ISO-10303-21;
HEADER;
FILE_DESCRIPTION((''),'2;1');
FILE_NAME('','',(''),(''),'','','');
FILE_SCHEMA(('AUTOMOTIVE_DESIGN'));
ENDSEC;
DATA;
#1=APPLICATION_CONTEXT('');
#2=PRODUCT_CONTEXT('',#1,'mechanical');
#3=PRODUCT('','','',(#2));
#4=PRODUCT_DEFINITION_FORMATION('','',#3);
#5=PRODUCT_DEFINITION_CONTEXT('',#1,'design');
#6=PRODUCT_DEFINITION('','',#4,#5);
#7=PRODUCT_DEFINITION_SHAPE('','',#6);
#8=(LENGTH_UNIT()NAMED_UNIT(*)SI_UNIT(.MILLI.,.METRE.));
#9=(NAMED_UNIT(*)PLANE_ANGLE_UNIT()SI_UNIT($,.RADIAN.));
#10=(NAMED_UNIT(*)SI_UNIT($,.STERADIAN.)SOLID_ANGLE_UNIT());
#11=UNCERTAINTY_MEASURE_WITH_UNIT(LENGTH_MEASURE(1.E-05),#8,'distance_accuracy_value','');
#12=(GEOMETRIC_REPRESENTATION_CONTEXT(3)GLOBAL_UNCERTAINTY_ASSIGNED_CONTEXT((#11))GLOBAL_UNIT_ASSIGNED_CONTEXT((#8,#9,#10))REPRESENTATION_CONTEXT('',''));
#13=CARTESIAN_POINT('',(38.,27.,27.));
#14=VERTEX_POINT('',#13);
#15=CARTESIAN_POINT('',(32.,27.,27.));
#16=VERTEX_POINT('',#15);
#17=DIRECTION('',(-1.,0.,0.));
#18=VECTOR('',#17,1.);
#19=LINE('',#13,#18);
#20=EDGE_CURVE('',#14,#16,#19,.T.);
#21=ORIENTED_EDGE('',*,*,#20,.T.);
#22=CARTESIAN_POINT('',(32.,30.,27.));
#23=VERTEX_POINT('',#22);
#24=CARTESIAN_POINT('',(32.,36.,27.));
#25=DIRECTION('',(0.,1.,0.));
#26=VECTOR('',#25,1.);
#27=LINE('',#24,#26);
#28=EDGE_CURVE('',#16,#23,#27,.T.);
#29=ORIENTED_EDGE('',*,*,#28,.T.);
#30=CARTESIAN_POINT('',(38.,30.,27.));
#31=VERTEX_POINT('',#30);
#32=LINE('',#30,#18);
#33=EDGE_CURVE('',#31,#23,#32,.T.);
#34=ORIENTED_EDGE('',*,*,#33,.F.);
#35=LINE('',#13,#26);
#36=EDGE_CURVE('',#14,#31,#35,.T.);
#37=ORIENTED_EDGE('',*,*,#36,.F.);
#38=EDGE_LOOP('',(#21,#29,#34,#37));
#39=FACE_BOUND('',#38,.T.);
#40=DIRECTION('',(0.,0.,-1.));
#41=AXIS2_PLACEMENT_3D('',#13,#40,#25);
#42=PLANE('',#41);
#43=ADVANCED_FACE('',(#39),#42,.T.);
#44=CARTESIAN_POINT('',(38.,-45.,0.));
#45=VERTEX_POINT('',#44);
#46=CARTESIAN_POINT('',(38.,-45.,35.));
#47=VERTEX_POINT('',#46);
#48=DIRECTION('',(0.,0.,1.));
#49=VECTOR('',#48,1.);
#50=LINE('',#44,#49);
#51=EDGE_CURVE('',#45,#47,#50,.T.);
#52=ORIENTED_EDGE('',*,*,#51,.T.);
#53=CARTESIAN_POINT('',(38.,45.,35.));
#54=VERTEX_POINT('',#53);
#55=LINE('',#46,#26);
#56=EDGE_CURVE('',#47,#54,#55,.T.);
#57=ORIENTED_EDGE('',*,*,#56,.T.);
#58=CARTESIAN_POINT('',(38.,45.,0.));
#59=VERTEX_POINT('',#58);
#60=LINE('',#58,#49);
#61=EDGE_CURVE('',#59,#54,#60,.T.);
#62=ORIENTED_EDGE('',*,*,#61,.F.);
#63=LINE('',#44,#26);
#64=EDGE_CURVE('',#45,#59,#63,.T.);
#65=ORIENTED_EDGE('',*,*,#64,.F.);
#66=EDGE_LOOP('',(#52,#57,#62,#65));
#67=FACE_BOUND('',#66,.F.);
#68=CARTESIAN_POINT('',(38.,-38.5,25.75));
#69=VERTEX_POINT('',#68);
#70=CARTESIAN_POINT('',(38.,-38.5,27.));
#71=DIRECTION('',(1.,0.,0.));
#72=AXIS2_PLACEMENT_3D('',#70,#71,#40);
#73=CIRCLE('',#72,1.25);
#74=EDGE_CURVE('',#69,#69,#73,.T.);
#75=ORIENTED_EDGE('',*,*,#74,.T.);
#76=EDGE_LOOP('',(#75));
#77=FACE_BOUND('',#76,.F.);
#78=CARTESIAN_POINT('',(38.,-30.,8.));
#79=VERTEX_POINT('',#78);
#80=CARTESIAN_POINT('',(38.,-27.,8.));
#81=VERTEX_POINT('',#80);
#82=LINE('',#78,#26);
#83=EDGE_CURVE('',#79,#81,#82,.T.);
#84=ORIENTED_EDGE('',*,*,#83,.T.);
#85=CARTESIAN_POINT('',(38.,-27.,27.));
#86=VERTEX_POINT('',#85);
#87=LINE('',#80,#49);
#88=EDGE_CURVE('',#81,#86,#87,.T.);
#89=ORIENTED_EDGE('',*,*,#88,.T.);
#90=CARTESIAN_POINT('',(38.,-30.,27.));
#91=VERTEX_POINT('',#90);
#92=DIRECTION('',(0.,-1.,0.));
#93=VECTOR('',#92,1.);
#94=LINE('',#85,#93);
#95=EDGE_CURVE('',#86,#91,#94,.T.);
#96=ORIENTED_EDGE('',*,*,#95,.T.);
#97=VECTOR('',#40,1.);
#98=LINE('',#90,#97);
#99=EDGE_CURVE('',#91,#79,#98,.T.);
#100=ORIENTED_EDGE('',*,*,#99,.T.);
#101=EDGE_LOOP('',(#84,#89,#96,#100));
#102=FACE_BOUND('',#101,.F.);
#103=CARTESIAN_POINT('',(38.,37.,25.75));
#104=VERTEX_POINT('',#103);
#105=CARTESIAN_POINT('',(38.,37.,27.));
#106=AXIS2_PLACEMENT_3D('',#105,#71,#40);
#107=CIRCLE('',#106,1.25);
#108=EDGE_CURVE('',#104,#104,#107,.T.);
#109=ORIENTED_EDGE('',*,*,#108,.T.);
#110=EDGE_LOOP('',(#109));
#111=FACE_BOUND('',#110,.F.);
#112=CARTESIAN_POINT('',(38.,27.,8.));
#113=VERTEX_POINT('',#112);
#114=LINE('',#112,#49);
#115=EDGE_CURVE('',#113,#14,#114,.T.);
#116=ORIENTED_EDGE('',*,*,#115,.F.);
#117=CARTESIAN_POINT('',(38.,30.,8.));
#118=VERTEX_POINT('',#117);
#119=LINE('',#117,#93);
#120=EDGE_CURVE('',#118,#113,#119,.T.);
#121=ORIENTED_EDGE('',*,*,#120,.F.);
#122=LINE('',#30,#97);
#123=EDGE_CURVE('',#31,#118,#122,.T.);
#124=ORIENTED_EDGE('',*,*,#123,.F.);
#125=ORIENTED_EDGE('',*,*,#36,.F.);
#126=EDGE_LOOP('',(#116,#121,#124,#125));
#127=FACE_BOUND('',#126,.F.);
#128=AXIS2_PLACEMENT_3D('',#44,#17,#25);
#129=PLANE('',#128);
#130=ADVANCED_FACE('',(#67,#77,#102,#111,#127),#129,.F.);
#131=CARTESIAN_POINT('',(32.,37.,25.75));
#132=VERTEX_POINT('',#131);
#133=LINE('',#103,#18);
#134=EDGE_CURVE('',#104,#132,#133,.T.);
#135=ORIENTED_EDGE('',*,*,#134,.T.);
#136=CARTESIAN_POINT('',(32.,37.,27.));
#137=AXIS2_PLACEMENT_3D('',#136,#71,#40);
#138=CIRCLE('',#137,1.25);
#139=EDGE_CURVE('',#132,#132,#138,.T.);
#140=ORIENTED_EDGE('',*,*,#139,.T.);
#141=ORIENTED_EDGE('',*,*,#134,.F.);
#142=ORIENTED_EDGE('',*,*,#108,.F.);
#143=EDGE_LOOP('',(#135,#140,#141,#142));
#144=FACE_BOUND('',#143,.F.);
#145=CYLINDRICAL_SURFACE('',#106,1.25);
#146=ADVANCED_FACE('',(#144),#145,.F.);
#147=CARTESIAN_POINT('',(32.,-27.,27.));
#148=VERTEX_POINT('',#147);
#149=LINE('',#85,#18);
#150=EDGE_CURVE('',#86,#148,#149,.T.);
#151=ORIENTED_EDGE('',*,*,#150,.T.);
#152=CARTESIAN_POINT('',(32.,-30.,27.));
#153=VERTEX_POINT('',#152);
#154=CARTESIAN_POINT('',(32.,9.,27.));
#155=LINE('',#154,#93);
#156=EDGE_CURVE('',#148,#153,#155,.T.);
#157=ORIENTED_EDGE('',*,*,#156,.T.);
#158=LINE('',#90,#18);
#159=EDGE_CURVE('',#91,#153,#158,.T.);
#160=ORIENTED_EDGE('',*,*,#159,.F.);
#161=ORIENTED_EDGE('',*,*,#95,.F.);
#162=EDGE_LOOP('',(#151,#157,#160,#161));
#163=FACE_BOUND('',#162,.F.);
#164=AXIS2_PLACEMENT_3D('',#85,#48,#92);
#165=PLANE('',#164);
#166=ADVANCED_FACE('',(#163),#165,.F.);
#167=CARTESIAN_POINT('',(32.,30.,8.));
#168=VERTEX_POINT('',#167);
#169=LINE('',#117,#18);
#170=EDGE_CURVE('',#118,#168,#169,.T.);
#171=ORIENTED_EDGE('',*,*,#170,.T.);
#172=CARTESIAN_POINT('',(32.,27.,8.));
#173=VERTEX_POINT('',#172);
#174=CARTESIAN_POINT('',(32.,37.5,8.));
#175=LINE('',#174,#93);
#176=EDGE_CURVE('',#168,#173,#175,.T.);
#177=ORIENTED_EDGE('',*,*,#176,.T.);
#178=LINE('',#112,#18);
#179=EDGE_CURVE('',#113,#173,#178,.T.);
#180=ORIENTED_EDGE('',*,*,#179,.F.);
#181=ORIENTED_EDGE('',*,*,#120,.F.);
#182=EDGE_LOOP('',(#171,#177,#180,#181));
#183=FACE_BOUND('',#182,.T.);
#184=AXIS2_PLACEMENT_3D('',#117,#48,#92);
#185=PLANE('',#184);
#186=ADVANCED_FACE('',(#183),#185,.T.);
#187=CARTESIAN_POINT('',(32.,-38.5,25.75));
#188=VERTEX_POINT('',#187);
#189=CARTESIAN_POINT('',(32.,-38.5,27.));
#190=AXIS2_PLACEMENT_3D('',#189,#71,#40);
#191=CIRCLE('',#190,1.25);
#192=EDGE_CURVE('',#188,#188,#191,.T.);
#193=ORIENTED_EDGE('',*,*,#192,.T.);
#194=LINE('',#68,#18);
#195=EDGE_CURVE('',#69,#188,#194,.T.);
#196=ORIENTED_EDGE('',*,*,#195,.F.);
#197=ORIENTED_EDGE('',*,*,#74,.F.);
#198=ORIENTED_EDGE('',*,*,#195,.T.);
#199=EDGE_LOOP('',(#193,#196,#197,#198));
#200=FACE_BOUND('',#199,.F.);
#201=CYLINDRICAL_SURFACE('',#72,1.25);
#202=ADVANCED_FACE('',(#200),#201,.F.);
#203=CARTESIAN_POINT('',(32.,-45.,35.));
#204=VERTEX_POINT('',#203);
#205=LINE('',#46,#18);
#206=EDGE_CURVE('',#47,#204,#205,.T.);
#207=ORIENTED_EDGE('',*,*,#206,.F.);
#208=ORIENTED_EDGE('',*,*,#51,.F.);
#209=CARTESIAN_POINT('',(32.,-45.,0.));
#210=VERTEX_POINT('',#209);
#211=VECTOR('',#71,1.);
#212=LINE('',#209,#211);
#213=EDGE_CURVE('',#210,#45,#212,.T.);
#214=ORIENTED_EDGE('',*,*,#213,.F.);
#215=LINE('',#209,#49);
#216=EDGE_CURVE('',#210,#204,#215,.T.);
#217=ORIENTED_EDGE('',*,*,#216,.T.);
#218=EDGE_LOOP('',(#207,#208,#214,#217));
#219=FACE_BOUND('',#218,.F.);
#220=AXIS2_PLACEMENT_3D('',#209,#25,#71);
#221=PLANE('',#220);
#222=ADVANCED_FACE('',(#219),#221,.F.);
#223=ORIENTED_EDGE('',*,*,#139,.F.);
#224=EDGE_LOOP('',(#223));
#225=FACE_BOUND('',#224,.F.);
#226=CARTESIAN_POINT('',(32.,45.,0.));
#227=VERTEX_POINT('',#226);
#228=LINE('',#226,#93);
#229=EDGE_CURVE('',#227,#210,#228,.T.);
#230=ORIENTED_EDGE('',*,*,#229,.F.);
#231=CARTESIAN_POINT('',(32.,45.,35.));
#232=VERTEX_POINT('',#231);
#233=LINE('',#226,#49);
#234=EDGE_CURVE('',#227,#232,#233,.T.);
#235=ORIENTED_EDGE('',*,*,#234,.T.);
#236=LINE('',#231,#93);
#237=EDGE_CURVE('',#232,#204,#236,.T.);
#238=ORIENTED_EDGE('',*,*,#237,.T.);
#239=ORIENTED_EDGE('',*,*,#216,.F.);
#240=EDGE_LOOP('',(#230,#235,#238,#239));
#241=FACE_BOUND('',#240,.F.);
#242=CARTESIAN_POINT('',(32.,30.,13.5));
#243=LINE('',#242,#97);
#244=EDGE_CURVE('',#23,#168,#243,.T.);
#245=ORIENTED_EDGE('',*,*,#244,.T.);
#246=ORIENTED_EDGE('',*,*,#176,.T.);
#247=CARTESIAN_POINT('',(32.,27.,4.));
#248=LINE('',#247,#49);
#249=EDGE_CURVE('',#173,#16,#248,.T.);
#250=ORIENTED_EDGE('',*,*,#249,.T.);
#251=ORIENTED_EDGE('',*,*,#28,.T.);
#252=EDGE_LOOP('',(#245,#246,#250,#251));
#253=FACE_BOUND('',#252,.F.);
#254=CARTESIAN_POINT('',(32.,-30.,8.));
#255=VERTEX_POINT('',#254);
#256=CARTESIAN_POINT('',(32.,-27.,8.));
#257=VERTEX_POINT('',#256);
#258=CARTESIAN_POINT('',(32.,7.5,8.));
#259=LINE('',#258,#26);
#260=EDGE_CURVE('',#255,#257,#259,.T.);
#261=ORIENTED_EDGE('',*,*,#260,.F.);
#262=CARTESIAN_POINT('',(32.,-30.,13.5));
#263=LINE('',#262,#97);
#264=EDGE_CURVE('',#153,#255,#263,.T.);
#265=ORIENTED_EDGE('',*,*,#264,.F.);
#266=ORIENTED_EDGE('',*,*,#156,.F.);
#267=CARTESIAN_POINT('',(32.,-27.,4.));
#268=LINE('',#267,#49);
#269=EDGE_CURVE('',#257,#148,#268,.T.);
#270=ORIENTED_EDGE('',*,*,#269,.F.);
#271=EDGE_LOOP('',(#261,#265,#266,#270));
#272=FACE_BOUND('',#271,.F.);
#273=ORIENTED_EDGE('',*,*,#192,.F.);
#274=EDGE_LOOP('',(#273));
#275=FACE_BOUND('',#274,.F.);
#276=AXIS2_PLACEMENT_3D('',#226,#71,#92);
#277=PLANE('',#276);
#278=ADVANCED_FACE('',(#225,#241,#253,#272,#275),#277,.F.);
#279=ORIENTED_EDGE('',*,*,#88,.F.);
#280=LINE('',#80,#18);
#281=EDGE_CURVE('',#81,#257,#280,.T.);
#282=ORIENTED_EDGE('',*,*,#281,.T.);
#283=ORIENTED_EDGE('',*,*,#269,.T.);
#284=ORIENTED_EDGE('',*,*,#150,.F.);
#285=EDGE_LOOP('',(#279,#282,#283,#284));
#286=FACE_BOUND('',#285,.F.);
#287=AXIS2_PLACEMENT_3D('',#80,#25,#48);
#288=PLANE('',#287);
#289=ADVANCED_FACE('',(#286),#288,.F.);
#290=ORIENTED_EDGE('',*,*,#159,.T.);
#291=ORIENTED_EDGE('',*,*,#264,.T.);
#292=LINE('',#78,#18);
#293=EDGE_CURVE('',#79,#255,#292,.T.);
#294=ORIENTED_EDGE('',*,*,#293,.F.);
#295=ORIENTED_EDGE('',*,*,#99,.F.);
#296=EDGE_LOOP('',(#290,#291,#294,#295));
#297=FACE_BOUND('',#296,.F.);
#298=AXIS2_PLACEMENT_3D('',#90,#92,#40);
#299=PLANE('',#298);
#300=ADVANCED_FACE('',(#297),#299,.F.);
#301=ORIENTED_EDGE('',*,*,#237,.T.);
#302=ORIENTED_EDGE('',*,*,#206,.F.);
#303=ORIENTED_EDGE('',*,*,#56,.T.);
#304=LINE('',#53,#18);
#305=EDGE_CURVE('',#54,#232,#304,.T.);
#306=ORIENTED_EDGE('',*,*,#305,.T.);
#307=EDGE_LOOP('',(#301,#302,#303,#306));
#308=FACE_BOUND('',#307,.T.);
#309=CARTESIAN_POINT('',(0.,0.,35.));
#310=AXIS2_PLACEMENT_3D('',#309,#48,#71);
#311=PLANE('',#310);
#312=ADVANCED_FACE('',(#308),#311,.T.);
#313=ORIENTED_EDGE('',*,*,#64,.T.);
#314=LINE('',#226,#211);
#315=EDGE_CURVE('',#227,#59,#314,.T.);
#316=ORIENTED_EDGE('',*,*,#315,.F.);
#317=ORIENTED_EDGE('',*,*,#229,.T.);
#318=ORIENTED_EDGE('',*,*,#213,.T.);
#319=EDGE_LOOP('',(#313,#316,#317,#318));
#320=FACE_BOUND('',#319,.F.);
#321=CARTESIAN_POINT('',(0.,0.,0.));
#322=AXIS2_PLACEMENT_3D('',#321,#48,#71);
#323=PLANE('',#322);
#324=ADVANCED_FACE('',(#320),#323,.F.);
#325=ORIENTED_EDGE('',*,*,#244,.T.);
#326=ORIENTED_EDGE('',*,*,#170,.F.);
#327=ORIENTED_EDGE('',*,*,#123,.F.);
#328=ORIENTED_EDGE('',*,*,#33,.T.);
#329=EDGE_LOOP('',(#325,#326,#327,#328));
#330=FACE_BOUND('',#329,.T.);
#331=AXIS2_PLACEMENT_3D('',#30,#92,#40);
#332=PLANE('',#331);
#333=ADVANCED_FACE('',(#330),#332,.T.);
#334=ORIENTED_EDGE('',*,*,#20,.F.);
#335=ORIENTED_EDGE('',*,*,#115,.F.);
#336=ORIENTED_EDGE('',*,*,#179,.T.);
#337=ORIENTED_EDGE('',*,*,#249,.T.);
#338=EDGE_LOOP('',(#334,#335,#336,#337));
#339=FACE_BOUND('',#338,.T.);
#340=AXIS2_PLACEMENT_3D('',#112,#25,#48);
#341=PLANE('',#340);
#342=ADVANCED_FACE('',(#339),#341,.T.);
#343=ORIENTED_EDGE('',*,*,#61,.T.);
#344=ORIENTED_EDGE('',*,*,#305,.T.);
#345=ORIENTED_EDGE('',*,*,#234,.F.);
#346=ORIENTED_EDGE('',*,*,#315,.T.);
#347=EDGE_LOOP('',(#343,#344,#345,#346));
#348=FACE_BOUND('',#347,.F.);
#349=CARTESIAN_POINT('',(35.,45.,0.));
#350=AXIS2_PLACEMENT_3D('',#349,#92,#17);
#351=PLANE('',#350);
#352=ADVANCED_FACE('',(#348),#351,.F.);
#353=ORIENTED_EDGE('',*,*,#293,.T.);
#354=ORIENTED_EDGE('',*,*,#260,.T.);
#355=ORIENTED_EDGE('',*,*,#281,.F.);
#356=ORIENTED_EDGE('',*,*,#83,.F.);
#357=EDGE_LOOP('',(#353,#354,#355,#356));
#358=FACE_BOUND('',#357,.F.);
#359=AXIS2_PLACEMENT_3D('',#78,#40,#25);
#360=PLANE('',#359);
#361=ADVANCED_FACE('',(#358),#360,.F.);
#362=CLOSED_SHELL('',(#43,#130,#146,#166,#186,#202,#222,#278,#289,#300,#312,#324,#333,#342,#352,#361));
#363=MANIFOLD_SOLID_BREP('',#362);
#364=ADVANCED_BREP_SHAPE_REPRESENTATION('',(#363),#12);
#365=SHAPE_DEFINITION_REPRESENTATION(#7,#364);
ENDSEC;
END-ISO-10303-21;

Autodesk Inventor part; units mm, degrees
ref_plane "YZ Plane" through (0, 0, 0) normal (1, 0, 0) x (0, 1, 0)
ref_plane "XZ Plane" through (0, 0, 0) normal (0, 1, 0) x (-1, 0, 0)
ref_plane "XY Plane" through (0, 0, 0) normal (0, 0, 1) x (1, 0, 0)
ref_plane "작업 평면1" through (0, 0, 0) normal (0, 0, 1) x (1, 0, 0)
sketch "스케치1" plane through (0, 0, 0) normal (0, 0, 1) x (1, 0, 0)
  line L0 (42.4906, -94.9526) -> (42.4906, 93.0474) projected
  line L1 (42.4906, 93.0474) -> (-42.5094, 93.0474) projected
  line L2 (-42.5094, 93.0474) -> (-42.5094, -94.9526) projected
  line L3 (-42.5094, -94.9526) -> (42.4906, -94.9526) projected
  line L4 (0, 0) -> (0, 35)
  line L5 (0, 0) -> (25, 0)
  line L6 (0, 0) -> (0, -35)
  line L7 (0, 0) -> (-25, 0)
  line L8 (25, 35) -> (-25, 35)
  line L9 (-25, 35) -> (-25, -35)
  line L10 (-25, -35) -> (25, -35)
  line L11 (25, -35) -> (25, 35)
  line L12 (35, 45) -> (-35, 45)
  line L13 (-35, 45) -> (-35, -45)
  line L14 (-35, -45) -> (35, -45)
  line L15 (35, -45) -> (35, 45)
  line L16 (35, 45) -> (38, 45)
  line L17 (38, 45) -> (32, 45)
  line L18 (32, 45) -> (32, -45)
  line L19 (32, -45) -> (38, -45)
  line L20 (38, -45) -> (38, 45)
  line L21 (-35, 45) -> (-38, 45)
  line L22 (-38, 45) -> (-38, 42)
  line L23 (-38, 42) -> (-35, 42)
  line L24 (-35, 42) -> (-35, 45)
  line L25 (-38, 45) -> (-32, 45)
  line L26 (-32, 45) -> (-32, -45)
  line L27 (-32, -45) -> (-38, -45)
  line L28 (-38, -45) -> (-38, 45)
  circle A0 centre (7, -59) radius 1.25 projected
  circle A1 centre (-1, 59) radius 1.25 projected
  circle A2 centre (-1, -59) radius 1.25 projected
  circle A3 centre (7, 59) radius 1.25 projected
  dimension "d0" = 35
  dimension "d1" = 25
  dimension "d2" = 35
  dimension "d3" = 25
  dimension "d4" = 10
  dimension "d5" = 3
  dimension "d6" = 6
  dimension "d7" = 3
  dimension "d8" = 3
  dimension "d9" = 6
extrude "돌출1" add sketch "스케치1" along normal blind 35 contours L15 L14 L18 L12 | L16 L20 L19 L15
sketch "스케치2" plane through (38, -45, 0) normal (1, 0, 0) x (0, 0, -1)
  circle A0 centre (-27, 82) radius 1.25 projected
  line L0 (-22, 77) -> (-32, 77) projected
  line L1 (-32, 77) -> (-32, 87) projected
  line L2 (-32, 87) -> (-22, 87) projected
  line L3 (-22, 87) -> (-22, 77) projected
  circle A1 centre (-27, 6.5) radius 1.25 projected
  line L4 (-32, 3) -> (-32, 10) projected
  line L5 (-22, 10) -> (-32, 10) projected
  line L6 (-22, 3) -> (-22, 10) projected
  line L7 (-32, 3) -> (-22, 3) projected
  point P0 (0, 45)
extrude "돌출2" cut sketch "스케치2" against normal blind 35 contours A0 | A1
sketch "스케치3" plane through (38, -45, 0) normal (1, 0, 0) x (0, 0, -1)
  circle A0 centre (-27, 82) radius 1.25 projected
  circle A1 centre (-27, 6.5) radius 1.25 projected
  line L0 (0, 0) -> (0, 90) projected
  line L1 (0, 90) -> (-35, 90) projected
  line L2 (-35, 0) -> (-35, 90) projected
  line L3 (0, 0) -> (-35, 0) projected
  line L4 (0, 0) -> (-35, 0) projected
  line L5 (-35, 0) -> (-35, 90) projected
  line L6 (0, 0) -> (0, 90) projected
  line L7 (-27, 15) -> (-8, 15)
  line L8 (-8, 15) -> (-8, 18)
  line L9 (-8, 18) -> (-27, 18)
  line L10 (-27, 18) -> (-27, 15)
  line L11 (0, 90) -> (-35, 90) projected
  line L12 (-27, 75) -> (-8, 75)
  line L13 (-8, 75) -> (-8, 72)
  line L14 (-8, 72) -> (-27, 72)
  line L15 (-27, 72) -> (-27, 75)
  point P0 (0, 45)
  point P1 (-18.9095, 15)
  point P2 (-17.5, 0)
  point P3 (-8, 18.9545)
  point P4 (-18.9095, 75)
  point P5 (-17.5, 90)
  point P6 (-27, 64.4269)
  dimension "d14" = 15
  dimension "d15" = 8
  dimension "d16" = 8
  dimension "d17" = 3
  dimension "d18" = 15
  dimension "d19" = 8
  dimension "d20" = 3
extrude "돌출3" cut sketch "스케치3" against normal blind 35 contours L10 L9 L8 L7 | L12 L13 L14 L15
properties part number "60" material "아크릴, 선명"
